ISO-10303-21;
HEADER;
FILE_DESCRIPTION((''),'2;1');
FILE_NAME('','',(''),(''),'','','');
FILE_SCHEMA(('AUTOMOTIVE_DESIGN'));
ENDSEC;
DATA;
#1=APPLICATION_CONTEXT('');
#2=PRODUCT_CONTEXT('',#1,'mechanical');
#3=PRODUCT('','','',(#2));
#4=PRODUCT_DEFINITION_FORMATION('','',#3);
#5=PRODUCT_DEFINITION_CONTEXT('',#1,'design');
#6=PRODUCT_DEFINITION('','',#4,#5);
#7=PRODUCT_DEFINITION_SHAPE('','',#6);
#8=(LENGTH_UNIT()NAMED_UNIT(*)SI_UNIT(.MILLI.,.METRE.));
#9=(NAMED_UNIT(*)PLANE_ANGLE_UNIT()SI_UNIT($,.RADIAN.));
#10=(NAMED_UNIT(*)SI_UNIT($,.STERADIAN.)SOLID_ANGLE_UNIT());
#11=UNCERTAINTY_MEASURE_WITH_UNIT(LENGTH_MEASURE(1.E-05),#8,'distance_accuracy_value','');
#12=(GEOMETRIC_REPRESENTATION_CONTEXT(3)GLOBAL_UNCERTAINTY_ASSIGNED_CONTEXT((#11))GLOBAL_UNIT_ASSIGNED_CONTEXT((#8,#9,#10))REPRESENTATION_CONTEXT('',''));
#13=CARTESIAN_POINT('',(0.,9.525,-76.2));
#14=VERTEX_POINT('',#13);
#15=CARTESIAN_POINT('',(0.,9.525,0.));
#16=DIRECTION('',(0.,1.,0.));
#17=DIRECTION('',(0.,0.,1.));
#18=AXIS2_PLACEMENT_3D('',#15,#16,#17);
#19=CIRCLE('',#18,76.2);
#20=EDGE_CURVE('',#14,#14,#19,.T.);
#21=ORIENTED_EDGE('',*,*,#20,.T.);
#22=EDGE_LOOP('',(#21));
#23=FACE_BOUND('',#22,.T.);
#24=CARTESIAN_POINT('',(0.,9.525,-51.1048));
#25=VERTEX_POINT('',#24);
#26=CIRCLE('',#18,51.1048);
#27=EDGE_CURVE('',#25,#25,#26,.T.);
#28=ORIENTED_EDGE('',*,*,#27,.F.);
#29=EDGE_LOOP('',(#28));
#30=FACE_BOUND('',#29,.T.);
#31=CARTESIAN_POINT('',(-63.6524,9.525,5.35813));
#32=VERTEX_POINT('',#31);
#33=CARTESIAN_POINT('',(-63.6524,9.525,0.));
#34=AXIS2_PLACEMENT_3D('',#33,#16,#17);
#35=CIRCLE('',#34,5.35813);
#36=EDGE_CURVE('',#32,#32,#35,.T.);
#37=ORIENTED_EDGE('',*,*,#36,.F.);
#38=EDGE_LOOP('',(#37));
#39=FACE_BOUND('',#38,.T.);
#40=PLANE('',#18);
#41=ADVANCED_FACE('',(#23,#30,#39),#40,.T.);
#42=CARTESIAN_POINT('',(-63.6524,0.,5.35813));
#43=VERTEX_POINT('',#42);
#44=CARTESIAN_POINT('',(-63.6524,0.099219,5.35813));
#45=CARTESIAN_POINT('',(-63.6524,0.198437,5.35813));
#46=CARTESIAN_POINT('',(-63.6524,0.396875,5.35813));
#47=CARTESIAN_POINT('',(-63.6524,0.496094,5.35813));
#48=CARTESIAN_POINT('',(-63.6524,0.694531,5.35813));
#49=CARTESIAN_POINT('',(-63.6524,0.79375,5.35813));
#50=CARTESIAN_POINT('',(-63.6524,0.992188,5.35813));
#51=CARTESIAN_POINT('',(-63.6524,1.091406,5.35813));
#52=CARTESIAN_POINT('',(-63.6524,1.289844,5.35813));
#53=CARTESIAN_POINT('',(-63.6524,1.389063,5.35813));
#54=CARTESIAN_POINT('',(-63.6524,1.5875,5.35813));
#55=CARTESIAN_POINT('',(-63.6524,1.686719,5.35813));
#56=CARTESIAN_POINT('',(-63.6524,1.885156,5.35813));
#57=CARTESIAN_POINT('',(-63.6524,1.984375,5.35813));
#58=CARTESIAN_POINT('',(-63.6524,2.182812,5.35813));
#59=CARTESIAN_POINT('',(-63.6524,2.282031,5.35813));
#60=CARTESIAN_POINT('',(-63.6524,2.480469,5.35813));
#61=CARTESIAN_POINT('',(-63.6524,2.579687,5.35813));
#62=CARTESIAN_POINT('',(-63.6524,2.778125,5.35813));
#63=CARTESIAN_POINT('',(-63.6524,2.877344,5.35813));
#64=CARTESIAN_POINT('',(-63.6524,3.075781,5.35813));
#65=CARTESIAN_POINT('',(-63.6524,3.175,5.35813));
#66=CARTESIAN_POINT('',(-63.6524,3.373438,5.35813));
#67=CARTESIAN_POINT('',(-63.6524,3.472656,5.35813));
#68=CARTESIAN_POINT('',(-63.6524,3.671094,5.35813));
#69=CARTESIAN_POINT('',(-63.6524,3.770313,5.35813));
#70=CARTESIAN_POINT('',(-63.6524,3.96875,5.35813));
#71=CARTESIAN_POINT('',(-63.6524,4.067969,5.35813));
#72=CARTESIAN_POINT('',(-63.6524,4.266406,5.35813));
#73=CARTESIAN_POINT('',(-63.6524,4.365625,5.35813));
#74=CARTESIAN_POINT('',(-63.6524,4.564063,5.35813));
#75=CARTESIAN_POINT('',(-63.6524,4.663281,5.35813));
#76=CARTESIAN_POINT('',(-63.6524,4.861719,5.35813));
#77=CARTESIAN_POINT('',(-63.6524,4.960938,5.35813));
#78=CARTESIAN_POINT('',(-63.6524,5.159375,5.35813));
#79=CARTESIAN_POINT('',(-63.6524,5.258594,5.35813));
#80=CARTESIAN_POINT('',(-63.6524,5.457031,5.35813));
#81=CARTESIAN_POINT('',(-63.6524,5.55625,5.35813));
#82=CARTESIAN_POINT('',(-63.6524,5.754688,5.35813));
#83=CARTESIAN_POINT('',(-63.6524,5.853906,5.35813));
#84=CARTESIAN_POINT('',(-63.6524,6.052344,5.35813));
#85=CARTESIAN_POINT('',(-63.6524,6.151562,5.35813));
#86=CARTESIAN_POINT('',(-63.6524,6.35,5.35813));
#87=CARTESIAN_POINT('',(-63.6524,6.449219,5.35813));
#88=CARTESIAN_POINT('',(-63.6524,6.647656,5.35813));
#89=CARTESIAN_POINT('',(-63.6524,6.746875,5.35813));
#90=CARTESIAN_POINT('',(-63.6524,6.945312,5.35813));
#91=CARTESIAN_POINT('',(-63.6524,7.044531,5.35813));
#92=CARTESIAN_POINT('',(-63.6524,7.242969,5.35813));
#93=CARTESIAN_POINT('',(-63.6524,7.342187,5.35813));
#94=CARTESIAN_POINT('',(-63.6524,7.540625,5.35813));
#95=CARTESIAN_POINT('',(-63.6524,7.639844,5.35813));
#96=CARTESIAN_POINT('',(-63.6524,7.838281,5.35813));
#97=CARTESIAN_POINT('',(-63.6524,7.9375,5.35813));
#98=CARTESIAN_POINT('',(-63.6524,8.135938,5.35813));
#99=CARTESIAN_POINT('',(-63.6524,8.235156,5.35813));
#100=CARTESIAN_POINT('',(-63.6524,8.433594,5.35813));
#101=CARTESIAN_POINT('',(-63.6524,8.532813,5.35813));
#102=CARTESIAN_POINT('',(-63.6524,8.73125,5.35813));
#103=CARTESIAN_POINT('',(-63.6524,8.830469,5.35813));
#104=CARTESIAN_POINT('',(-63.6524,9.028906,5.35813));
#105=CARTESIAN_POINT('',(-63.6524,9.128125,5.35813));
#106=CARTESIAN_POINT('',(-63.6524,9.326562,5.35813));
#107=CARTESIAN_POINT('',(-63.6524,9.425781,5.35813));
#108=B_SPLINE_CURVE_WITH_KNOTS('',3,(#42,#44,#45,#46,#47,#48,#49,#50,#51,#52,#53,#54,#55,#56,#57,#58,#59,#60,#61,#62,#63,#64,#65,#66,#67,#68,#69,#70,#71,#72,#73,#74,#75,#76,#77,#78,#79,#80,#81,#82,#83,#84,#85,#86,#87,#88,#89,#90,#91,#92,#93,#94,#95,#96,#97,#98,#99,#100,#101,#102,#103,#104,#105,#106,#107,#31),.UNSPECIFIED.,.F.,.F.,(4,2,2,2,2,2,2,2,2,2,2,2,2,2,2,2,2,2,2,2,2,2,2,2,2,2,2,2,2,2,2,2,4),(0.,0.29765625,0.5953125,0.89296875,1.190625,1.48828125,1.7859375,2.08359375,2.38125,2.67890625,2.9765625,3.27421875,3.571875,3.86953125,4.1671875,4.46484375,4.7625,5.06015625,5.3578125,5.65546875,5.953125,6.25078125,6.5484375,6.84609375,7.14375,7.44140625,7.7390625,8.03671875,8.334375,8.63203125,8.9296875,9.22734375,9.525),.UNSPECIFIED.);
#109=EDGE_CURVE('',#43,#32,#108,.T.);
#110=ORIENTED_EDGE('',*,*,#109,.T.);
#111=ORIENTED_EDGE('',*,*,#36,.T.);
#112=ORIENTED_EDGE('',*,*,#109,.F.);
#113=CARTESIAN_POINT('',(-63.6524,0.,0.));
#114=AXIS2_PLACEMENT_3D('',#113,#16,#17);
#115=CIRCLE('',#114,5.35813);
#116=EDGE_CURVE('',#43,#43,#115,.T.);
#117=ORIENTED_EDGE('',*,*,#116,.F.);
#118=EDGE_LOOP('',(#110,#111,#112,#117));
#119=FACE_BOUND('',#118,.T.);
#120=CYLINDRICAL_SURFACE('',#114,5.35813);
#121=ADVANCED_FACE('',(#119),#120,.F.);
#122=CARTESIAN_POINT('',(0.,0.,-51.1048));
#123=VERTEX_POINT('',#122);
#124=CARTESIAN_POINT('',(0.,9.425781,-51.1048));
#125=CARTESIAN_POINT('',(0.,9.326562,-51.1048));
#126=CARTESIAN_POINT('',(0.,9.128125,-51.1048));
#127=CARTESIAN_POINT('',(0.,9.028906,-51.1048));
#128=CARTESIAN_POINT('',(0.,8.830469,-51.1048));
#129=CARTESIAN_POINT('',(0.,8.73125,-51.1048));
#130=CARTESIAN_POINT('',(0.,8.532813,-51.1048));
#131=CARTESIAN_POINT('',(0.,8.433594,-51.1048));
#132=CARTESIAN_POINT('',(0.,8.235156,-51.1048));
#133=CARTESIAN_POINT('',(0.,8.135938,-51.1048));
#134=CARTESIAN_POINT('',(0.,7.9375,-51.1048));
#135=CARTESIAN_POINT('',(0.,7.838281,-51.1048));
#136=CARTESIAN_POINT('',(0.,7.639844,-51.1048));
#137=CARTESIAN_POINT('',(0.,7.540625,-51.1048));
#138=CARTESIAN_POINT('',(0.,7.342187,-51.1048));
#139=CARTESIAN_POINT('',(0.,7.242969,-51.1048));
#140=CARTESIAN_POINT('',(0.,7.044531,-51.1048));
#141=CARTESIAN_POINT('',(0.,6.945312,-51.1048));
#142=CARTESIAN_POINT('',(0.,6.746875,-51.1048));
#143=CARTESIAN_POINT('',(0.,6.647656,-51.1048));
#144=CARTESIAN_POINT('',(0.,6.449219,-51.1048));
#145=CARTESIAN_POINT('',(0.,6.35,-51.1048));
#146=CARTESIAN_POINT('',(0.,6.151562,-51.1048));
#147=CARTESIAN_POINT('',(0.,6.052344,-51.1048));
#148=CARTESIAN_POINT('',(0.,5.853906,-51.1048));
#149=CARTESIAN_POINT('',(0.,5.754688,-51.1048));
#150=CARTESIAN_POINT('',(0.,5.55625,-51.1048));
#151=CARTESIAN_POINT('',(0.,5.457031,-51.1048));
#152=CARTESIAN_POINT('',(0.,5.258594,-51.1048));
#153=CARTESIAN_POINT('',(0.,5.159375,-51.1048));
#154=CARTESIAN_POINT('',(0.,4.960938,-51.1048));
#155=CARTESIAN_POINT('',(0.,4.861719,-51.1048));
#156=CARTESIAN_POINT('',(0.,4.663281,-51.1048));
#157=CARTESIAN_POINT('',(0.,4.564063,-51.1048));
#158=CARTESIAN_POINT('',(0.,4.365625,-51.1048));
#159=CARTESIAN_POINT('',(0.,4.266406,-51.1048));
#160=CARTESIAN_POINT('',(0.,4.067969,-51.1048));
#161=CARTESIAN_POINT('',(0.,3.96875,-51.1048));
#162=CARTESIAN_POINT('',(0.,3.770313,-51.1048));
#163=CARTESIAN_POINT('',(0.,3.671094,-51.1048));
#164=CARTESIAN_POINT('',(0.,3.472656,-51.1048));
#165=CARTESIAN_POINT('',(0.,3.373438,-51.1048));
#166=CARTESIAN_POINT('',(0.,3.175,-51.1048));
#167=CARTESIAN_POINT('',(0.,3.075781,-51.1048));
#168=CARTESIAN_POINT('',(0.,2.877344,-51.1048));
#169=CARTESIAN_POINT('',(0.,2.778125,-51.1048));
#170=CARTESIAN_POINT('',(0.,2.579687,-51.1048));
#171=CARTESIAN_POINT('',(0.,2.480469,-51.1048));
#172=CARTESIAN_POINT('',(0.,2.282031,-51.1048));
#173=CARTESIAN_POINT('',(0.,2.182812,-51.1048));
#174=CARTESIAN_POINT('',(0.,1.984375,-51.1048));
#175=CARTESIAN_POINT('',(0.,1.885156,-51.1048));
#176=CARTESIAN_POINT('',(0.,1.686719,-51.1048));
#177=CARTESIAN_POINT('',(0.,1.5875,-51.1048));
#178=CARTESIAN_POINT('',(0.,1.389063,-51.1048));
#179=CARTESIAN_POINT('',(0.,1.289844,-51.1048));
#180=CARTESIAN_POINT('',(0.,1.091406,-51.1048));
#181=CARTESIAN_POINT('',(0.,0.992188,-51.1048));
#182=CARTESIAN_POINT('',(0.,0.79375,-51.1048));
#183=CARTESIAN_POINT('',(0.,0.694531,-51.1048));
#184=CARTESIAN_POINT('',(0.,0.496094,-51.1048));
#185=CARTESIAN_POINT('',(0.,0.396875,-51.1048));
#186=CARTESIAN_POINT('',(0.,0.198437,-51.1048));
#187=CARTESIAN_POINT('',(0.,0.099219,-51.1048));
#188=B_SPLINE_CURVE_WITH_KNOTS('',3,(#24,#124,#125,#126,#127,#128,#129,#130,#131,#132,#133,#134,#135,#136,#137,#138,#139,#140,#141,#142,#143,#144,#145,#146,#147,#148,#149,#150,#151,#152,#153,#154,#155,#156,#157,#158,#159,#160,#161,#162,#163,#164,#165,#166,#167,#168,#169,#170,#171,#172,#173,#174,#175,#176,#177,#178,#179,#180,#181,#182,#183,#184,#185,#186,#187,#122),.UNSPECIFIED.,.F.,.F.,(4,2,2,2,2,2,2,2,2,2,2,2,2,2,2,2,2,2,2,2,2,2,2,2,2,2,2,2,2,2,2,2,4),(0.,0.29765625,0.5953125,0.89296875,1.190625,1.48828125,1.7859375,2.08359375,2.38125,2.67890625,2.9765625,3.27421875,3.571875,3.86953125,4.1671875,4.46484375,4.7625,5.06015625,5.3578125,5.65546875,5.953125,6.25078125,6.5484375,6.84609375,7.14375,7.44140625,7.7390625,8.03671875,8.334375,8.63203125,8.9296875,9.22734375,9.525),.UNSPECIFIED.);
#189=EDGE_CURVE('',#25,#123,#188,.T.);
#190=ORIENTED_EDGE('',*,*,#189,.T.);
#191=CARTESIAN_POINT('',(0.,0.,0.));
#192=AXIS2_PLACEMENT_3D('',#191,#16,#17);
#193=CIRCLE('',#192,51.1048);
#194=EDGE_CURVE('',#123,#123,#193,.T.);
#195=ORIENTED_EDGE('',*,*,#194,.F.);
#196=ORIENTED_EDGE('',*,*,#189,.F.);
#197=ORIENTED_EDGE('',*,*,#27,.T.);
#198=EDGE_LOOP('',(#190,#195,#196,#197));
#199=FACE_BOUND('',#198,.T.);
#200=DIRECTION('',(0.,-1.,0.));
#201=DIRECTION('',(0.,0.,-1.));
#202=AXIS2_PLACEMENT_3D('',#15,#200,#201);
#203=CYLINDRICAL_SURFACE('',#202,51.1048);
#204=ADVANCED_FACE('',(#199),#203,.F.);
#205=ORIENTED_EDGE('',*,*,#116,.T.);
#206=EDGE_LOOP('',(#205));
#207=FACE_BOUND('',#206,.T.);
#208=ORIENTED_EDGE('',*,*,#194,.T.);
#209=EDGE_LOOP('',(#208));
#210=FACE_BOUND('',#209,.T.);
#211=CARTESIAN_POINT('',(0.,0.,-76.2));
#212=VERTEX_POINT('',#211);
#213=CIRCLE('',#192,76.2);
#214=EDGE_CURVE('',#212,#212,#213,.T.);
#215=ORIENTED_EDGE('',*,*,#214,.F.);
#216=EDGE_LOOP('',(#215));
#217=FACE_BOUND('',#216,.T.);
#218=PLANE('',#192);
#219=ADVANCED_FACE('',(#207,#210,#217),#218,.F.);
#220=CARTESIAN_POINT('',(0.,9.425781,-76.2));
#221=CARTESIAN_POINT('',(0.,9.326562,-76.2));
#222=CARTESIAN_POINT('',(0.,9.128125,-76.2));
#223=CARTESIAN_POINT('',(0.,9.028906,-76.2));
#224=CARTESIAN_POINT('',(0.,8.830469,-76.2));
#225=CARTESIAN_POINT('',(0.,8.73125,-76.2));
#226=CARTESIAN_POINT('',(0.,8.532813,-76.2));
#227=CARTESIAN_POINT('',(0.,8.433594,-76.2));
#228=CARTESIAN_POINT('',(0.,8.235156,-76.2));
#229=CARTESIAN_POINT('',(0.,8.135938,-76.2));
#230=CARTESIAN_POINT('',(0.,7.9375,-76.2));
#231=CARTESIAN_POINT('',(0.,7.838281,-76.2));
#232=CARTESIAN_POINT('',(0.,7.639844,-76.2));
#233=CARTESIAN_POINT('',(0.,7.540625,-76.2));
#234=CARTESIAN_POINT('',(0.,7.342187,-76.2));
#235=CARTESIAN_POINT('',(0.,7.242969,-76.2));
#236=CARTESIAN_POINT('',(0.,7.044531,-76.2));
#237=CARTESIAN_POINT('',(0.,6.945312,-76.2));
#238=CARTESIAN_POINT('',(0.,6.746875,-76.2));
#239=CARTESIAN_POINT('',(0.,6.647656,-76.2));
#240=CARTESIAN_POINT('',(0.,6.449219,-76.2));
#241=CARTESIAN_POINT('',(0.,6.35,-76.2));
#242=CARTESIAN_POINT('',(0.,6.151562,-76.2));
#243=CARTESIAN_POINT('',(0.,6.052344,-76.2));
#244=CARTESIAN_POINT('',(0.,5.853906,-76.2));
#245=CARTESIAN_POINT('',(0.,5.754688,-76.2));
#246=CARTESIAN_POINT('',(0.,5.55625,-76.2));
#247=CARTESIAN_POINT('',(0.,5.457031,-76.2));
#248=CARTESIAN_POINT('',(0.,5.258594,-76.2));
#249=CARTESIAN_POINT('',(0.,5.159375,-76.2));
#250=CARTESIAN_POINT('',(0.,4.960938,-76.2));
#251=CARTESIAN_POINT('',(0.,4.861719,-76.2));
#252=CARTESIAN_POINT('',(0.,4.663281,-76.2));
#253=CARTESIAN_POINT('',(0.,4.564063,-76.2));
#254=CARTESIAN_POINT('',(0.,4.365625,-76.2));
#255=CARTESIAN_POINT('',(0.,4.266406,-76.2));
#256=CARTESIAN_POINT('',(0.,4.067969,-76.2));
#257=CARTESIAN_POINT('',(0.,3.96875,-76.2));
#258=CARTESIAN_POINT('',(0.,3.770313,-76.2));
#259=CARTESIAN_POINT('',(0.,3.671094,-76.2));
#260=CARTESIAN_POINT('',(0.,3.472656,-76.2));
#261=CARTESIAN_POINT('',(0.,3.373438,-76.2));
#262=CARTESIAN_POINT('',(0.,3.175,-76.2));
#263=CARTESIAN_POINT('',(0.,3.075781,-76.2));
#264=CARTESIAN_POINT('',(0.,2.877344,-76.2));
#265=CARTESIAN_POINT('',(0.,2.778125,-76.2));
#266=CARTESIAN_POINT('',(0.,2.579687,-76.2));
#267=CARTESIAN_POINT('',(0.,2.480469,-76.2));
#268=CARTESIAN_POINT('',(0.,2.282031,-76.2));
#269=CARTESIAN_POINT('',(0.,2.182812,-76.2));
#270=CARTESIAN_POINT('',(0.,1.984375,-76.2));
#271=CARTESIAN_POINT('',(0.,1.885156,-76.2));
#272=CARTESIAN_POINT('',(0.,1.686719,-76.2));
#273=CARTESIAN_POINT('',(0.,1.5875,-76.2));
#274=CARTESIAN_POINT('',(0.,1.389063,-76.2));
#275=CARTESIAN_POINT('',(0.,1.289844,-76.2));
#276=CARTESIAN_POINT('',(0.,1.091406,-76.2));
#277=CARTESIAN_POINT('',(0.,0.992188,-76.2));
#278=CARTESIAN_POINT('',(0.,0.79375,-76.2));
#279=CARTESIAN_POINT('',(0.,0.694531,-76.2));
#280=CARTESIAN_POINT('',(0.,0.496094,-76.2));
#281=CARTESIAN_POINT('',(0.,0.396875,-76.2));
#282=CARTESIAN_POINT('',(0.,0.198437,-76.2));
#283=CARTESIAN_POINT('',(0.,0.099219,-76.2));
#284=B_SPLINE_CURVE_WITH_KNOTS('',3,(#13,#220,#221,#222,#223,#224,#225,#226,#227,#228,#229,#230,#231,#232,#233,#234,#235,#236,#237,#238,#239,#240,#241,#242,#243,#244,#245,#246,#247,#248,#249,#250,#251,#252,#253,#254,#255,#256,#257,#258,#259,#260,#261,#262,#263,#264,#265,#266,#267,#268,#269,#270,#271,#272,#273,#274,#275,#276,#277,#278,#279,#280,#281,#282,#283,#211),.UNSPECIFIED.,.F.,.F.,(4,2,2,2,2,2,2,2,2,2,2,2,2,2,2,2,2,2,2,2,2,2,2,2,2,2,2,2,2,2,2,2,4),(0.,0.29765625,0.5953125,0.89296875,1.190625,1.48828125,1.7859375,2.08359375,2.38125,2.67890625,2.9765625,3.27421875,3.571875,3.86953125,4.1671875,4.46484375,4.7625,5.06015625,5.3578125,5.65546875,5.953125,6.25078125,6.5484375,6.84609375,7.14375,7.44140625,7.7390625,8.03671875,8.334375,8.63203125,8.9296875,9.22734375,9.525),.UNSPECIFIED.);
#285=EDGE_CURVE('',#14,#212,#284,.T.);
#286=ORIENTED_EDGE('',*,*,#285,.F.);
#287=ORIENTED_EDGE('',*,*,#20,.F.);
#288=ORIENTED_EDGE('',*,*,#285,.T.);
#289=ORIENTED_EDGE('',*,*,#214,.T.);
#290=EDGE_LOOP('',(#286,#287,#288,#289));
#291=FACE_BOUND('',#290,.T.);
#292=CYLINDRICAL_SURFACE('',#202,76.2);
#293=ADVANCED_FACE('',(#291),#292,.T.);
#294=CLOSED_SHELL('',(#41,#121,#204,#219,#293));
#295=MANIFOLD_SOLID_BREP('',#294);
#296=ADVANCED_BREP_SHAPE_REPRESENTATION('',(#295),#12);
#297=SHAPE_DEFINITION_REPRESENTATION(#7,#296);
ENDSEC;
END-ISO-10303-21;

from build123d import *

# Parameters (mm, degrees)
SKETCH1_R           = 76.2
SKETCH1_R_2         = 51.1048
BOSS_EXTRUDE1_DEPTH = 9.525
SKETCH2_R           = 5.35813
CUT_EXTRUDE1_DEPTH  = 109.183203987


with BuildPart() as part:
    # Sketch1 → Boss-Extrude1 (new body)
    with BuildSketch(Plane(origin=(0, 0, 0), x_dir=(1, 0, 0), z_dir=(0, 1, 0))):
        with Locations(Location((0, 0, 0), (0, 0, 90))):
            Circle(SKETCH1_R)
        with Locations(Location((0, 0, 0), (0, 0, 90))):
            Circle(SKETCH1_R_2, mode=Mode.SUBTRACT)
    extrude(amount=BOSS_EXTRUDE1_DEPTH)

    # Sketch2 → Cut-Extrude1 (cut, through all)
    with BuildSketch(Plane(origin=(0, 9.525, 0), x_dir=(1, 0, 0), z_dir=(0, 1, 0))):
        with Locations(Location((-63.6524, 0, 0), (0, 0, 270))):
            Circle(SKETCH2_R)
    extrude(amount=-CUT_EXTRUDE1_DEPTH, mode=Mode.SUBTRACT)


solid = part.part
